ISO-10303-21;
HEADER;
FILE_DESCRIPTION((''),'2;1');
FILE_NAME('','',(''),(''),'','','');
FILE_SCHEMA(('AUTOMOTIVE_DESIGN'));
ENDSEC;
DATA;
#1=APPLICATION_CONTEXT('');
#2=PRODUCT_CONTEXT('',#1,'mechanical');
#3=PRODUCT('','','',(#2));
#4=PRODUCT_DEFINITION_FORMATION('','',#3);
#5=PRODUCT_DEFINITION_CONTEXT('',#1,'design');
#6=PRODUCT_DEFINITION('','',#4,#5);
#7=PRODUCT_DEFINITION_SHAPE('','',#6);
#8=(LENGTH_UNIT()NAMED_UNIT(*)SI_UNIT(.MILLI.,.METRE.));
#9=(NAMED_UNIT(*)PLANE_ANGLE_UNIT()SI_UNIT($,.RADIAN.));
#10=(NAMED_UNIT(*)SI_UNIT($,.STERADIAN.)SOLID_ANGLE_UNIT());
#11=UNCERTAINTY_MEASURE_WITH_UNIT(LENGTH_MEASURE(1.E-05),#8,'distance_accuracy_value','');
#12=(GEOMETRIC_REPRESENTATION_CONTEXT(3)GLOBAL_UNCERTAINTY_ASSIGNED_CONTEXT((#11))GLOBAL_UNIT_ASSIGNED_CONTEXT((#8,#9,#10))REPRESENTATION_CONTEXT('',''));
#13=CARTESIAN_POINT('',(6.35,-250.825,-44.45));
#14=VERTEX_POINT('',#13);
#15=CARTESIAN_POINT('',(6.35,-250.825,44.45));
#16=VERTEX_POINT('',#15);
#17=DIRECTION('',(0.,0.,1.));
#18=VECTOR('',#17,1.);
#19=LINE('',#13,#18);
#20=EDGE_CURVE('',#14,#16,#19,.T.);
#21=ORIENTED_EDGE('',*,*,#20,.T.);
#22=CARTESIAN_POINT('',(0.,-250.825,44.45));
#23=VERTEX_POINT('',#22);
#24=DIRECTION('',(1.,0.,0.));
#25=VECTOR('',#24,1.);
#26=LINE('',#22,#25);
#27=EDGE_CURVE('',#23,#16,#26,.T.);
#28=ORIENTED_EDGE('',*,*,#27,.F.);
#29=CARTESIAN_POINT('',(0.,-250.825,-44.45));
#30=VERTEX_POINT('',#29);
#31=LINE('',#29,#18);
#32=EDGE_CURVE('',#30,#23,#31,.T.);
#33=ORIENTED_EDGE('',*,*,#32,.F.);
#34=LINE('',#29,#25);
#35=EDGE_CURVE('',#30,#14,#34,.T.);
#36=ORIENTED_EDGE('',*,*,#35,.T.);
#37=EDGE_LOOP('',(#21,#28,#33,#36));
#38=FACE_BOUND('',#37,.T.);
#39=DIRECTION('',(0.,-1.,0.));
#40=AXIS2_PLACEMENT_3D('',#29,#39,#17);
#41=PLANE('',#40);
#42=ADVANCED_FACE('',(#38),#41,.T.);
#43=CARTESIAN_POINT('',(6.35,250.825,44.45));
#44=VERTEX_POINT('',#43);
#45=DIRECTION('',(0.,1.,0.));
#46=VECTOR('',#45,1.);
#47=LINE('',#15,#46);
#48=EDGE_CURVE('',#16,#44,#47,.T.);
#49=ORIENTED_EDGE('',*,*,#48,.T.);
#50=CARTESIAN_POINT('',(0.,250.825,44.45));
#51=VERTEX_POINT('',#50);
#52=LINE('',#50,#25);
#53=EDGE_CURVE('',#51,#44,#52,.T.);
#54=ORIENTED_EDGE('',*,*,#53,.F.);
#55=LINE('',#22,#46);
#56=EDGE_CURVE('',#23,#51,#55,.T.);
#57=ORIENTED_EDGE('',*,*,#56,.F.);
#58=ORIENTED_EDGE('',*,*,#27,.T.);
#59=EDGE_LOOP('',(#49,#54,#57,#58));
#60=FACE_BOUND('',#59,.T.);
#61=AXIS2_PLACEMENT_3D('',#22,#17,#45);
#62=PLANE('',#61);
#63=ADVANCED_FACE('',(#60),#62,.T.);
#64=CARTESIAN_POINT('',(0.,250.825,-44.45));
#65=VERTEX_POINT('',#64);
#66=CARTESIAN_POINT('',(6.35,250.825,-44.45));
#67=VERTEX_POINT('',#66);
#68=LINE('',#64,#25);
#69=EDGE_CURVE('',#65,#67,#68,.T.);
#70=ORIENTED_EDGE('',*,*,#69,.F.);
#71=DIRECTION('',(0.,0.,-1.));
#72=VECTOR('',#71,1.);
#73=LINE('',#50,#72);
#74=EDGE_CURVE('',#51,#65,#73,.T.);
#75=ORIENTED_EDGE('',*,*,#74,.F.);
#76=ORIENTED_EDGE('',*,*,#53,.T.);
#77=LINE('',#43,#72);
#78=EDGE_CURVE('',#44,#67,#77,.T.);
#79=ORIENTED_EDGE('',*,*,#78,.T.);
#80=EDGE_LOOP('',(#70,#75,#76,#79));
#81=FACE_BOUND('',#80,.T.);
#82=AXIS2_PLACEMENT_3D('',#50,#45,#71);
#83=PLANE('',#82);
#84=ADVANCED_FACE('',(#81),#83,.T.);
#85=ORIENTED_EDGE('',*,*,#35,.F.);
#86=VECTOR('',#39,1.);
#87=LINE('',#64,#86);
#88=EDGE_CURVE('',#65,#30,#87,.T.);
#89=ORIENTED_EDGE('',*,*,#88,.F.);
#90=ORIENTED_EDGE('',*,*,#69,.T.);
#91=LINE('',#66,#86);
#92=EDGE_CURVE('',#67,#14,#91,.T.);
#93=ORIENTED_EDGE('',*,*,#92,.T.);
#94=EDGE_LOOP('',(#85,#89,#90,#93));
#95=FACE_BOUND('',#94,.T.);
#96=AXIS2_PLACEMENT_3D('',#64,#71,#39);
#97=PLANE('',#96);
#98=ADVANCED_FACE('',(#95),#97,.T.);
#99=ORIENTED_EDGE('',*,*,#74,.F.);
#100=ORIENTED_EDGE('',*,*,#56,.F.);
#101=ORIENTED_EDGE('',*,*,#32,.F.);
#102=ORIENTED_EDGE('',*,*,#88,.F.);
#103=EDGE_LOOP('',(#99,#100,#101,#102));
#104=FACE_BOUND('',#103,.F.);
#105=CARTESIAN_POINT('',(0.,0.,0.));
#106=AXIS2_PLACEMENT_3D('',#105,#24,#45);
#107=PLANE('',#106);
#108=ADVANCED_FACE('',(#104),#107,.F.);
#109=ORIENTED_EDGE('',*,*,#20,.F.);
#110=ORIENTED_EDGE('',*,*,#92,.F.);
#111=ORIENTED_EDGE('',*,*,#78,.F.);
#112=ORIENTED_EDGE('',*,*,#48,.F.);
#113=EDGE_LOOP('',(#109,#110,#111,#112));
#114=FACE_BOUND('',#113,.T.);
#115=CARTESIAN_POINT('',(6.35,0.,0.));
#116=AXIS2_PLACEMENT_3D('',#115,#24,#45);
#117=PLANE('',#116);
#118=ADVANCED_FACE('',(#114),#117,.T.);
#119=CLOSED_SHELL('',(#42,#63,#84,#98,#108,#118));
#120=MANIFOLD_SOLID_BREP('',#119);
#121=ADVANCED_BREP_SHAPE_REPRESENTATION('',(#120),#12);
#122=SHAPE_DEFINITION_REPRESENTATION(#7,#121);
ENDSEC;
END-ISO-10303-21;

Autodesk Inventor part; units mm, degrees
ref_plane "YZ Plane" through (0, 0, 0) normal (1, 0, 0) x (0, 1, 0)
ref_plane "XZ Plane" through (0, 0, 0) normal (0, 1, 0) x (-1, 0, 0)
ref_plane "XY Plane" through (0, 0, 0) normal (0, 0, 1) x (1, 0, 0)
sketch "Sketch1" plane through (0, 0, 0) normal (1, 0, 0) x (0, 1, 0)
  line L0 (-250.825, 44.45) -> (250.825, 44.45)
  line L1 (250.825, 44.45) -> (250.825, -44.45)
  line L2 (250.825, -44.45) -> (-250.825, -44.45)
  line L3 (-250.825, -44.45) -> (-250.825, 44.45)
  line L4 (-250.825, 44.45) -> (250.825, -44.45) construction
  line L5 (250.825, 44.45) -> (-250.825, -44.45) construction
  point P0 (0, 0)
  dimension "d0" = 501.65
  dimension "d1" = 88.9
extrude "Extrusion1" add sketch "Sketch1" along normal blind 6.35
properties part number "FE-130-001 End Platet" material "Aluminum 6061"
